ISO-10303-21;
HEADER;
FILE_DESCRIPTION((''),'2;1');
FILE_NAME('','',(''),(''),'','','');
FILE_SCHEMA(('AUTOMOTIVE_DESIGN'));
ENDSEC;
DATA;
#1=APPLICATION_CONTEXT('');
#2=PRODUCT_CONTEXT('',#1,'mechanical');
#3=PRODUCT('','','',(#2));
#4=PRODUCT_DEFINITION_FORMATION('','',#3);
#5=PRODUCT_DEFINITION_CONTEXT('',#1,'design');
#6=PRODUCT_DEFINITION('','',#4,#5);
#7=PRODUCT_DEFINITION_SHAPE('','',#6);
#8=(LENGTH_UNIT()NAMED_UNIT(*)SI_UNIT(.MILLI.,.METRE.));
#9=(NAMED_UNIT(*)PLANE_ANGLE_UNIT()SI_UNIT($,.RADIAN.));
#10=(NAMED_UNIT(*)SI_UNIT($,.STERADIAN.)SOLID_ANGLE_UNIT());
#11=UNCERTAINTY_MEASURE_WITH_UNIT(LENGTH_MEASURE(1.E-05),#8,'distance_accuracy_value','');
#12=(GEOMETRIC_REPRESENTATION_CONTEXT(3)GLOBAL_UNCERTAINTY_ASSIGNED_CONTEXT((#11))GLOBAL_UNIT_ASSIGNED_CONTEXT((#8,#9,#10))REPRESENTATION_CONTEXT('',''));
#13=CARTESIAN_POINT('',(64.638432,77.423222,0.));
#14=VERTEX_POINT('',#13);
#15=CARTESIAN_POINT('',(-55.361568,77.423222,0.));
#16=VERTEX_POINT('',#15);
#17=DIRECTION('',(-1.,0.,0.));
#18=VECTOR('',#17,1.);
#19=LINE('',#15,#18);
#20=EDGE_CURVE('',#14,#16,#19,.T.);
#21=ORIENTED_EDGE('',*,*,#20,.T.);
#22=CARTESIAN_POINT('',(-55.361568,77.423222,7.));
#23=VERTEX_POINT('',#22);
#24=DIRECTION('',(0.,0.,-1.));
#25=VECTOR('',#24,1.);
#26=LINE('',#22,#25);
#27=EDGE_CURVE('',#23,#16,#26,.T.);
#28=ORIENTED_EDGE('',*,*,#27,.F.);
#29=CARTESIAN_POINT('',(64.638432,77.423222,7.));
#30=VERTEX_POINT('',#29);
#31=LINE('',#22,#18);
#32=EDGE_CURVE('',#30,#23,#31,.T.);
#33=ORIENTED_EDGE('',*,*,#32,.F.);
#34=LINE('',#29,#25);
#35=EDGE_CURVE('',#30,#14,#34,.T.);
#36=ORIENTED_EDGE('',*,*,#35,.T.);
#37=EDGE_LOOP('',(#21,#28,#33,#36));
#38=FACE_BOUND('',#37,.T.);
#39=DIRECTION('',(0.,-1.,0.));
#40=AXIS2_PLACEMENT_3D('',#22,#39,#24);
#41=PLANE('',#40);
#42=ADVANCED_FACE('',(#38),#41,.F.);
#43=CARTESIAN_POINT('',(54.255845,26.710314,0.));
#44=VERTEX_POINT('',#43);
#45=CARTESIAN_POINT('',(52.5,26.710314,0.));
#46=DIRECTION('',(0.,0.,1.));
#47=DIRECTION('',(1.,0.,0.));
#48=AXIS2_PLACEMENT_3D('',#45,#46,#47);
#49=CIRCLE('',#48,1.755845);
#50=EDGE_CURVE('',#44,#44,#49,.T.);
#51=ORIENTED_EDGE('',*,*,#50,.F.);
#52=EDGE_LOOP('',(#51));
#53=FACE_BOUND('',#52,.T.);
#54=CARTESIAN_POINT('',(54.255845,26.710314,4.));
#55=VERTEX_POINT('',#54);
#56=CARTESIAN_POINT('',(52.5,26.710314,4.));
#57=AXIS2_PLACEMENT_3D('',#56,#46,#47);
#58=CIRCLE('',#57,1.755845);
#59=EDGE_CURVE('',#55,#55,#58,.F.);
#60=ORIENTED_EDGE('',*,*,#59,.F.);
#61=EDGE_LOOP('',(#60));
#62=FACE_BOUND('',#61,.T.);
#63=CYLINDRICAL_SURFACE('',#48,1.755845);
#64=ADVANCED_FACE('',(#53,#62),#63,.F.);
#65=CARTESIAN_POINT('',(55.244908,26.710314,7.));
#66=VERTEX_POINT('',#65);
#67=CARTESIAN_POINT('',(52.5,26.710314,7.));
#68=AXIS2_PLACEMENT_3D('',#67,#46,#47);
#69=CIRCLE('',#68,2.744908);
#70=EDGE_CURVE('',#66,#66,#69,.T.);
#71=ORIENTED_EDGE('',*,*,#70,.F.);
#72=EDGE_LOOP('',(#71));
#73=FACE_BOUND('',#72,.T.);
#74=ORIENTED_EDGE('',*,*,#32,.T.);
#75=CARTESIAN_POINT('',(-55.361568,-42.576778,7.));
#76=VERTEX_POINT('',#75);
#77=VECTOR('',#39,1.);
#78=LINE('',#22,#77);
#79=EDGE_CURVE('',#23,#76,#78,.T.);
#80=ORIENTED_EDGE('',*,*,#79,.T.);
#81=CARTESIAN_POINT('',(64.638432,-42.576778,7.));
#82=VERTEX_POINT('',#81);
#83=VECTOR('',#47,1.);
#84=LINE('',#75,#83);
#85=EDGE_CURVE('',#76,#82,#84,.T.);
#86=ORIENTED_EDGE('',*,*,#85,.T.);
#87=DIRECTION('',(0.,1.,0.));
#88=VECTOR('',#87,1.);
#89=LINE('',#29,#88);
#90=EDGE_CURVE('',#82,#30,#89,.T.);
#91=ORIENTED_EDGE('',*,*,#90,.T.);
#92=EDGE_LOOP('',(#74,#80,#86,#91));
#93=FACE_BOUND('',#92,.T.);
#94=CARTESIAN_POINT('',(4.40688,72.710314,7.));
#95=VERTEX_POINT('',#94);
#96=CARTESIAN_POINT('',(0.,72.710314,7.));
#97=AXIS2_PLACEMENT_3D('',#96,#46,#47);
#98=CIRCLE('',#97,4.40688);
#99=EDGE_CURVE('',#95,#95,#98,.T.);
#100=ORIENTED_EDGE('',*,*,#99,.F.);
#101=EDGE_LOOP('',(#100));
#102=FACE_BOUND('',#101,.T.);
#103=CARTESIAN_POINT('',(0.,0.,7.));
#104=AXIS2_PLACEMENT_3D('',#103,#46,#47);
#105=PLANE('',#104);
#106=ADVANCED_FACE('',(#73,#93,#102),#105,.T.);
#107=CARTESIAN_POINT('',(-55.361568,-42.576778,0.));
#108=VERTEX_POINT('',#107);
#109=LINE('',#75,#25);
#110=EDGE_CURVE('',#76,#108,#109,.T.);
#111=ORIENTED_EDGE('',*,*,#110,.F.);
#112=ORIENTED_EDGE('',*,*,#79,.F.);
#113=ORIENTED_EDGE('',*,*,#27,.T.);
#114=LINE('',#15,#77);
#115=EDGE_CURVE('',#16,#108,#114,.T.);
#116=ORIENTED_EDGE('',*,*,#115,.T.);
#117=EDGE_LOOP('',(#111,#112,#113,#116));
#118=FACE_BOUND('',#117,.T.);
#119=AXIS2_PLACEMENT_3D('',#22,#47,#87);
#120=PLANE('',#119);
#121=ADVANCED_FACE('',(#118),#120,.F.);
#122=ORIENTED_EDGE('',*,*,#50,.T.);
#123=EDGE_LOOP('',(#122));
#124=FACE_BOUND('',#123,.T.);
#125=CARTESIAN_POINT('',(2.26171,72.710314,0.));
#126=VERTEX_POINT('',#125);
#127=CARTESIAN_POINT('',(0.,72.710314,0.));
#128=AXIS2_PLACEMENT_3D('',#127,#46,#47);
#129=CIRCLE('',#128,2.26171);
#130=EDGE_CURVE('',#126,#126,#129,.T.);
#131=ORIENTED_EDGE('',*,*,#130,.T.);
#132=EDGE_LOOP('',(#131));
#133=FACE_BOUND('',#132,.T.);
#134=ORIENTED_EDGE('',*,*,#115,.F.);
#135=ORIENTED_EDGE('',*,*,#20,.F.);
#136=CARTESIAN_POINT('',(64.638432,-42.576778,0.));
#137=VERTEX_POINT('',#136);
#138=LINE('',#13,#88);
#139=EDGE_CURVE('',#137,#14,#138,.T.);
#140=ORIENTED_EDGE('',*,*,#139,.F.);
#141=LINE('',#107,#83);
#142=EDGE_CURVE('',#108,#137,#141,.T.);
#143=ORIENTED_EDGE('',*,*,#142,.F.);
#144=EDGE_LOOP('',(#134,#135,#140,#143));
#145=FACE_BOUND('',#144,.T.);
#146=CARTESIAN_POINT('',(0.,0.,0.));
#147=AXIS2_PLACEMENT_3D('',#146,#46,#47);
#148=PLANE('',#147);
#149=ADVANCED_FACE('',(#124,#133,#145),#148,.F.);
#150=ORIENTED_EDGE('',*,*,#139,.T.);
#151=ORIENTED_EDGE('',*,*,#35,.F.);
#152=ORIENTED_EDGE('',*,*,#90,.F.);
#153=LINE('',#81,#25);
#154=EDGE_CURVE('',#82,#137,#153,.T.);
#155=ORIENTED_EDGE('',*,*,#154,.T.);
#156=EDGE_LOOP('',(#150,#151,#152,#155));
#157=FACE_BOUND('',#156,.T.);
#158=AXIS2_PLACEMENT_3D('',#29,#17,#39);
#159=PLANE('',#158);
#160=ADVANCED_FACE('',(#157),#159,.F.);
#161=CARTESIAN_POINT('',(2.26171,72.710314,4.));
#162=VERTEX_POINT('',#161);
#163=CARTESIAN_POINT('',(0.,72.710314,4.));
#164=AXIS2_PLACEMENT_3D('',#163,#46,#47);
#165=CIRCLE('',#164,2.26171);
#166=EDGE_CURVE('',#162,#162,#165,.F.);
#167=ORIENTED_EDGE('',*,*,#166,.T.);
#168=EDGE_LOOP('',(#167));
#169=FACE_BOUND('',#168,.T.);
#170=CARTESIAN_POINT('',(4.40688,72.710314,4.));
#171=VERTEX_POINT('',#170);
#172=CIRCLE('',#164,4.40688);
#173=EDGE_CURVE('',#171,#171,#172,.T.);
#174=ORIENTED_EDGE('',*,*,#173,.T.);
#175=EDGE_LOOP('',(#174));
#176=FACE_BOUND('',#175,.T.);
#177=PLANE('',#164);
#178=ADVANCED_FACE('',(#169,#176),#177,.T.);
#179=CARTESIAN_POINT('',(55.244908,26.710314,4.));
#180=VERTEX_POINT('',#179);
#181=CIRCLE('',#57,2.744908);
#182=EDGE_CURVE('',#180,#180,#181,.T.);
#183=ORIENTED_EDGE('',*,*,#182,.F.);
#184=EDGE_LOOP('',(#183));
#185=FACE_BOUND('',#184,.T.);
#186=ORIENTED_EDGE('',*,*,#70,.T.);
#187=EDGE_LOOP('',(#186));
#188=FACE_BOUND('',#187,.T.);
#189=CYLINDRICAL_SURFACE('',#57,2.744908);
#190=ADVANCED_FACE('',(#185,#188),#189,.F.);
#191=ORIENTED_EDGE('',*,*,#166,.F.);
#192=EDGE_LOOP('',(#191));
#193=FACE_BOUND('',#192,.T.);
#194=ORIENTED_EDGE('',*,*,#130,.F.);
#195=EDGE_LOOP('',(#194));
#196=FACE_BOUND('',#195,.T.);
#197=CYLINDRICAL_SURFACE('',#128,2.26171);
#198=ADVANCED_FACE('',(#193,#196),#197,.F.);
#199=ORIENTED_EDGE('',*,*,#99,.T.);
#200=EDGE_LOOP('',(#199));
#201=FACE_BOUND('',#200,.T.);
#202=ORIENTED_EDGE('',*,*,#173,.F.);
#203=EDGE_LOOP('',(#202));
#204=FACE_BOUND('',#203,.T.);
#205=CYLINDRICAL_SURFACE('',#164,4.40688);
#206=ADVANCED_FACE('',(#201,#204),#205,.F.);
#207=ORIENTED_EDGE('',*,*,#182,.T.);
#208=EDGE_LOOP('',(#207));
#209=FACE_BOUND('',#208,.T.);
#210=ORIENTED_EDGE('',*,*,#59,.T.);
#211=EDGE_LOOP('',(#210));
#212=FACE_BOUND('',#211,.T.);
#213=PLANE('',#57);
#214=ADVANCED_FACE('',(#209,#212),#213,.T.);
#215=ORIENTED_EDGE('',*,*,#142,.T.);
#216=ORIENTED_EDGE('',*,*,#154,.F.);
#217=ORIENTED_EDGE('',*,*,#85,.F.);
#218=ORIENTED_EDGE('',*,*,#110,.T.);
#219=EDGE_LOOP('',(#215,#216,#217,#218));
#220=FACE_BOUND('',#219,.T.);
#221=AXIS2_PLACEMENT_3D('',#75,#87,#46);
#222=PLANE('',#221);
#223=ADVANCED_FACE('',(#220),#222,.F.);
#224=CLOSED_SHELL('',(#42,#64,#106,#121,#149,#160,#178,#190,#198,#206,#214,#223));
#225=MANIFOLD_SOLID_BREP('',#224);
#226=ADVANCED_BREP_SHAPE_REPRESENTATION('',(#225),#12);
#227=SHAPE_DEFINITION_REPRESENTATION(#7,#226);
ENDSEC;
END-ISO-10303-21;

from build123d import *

# Parameters (mm, degrees)
SKETCH_5_W          = 120
SKETCH_5_H          = 120
EXTRUDE_2_DEPTH     = 7
SKETCH_6_R          = 2.261709603
CUT_EXTRUDE_1_DEPTH = 7
SKETCH_9_R          = 4.406880206
CUT_EXTRUDE_2_DEPTH = 3
SKETCH_10_R         = 1.755844697
CUT_EXTRUDE_3_DEPTH = 7
SKETCH_11_R         = 2.744907592
CUT_EXTRUDE_4_DEPTH = 3


with BuildPart() as part:
    # 草图5 → 凸台-拉伸2 (new body)
    with BuildSketch(Plane.XY):
        with Locations((4.638432047, 17.423222422)):
            Rectangle(SKETCH_5_W, SKETCH_5_H)
    extrude(amount=EXTRUDE_2_DEPTH)

    # 草图6 → 切除-拉伸1 (cut)
    with BuildSketch(Plane.XY.offset(7)):
        with Locations((0, 72.710313561)):
            Circle(SKETCH_6_R)
    extrude(amount=-CUT_EXTRUDE_1_DEPTH, mode=Mode.SUBTRACT)

    # 草图9 → 切除-拉伸2 (cut)
    with BuildSketch(Plane.XY.offset(7)):
        with Locations((0, 72.710313561)):
            Circle(SKETCH_9_R)
    extrude(amount=-CUT_EXTRUDE_2_DEPTH, mode=Mode.SUBTRACT)

    # 草图10 → 切除-拉伸3 (cut)
    with BuildSketch(Plane.XY.offset(7)):
        with Locations((52.5, 26.710313561)):
            Circle(SKETCH_10_R)
    extrude(amount=-CUT_EXTRUDE_3_DEPTH, mode=Mode.SUBTRACT)

    # 草图11 → 切除-拉伸4 (cut)
    with BuildSketch(Plane.XY.offset(7)):
        with Locations((52.5, 26.710313561)):
            Circle(SKETCH_11_R)
    extrude(amount=-CUT_EXTRUDE_4_DEPTH, mode=Mode.SUBTRACT)


solid = part.part
